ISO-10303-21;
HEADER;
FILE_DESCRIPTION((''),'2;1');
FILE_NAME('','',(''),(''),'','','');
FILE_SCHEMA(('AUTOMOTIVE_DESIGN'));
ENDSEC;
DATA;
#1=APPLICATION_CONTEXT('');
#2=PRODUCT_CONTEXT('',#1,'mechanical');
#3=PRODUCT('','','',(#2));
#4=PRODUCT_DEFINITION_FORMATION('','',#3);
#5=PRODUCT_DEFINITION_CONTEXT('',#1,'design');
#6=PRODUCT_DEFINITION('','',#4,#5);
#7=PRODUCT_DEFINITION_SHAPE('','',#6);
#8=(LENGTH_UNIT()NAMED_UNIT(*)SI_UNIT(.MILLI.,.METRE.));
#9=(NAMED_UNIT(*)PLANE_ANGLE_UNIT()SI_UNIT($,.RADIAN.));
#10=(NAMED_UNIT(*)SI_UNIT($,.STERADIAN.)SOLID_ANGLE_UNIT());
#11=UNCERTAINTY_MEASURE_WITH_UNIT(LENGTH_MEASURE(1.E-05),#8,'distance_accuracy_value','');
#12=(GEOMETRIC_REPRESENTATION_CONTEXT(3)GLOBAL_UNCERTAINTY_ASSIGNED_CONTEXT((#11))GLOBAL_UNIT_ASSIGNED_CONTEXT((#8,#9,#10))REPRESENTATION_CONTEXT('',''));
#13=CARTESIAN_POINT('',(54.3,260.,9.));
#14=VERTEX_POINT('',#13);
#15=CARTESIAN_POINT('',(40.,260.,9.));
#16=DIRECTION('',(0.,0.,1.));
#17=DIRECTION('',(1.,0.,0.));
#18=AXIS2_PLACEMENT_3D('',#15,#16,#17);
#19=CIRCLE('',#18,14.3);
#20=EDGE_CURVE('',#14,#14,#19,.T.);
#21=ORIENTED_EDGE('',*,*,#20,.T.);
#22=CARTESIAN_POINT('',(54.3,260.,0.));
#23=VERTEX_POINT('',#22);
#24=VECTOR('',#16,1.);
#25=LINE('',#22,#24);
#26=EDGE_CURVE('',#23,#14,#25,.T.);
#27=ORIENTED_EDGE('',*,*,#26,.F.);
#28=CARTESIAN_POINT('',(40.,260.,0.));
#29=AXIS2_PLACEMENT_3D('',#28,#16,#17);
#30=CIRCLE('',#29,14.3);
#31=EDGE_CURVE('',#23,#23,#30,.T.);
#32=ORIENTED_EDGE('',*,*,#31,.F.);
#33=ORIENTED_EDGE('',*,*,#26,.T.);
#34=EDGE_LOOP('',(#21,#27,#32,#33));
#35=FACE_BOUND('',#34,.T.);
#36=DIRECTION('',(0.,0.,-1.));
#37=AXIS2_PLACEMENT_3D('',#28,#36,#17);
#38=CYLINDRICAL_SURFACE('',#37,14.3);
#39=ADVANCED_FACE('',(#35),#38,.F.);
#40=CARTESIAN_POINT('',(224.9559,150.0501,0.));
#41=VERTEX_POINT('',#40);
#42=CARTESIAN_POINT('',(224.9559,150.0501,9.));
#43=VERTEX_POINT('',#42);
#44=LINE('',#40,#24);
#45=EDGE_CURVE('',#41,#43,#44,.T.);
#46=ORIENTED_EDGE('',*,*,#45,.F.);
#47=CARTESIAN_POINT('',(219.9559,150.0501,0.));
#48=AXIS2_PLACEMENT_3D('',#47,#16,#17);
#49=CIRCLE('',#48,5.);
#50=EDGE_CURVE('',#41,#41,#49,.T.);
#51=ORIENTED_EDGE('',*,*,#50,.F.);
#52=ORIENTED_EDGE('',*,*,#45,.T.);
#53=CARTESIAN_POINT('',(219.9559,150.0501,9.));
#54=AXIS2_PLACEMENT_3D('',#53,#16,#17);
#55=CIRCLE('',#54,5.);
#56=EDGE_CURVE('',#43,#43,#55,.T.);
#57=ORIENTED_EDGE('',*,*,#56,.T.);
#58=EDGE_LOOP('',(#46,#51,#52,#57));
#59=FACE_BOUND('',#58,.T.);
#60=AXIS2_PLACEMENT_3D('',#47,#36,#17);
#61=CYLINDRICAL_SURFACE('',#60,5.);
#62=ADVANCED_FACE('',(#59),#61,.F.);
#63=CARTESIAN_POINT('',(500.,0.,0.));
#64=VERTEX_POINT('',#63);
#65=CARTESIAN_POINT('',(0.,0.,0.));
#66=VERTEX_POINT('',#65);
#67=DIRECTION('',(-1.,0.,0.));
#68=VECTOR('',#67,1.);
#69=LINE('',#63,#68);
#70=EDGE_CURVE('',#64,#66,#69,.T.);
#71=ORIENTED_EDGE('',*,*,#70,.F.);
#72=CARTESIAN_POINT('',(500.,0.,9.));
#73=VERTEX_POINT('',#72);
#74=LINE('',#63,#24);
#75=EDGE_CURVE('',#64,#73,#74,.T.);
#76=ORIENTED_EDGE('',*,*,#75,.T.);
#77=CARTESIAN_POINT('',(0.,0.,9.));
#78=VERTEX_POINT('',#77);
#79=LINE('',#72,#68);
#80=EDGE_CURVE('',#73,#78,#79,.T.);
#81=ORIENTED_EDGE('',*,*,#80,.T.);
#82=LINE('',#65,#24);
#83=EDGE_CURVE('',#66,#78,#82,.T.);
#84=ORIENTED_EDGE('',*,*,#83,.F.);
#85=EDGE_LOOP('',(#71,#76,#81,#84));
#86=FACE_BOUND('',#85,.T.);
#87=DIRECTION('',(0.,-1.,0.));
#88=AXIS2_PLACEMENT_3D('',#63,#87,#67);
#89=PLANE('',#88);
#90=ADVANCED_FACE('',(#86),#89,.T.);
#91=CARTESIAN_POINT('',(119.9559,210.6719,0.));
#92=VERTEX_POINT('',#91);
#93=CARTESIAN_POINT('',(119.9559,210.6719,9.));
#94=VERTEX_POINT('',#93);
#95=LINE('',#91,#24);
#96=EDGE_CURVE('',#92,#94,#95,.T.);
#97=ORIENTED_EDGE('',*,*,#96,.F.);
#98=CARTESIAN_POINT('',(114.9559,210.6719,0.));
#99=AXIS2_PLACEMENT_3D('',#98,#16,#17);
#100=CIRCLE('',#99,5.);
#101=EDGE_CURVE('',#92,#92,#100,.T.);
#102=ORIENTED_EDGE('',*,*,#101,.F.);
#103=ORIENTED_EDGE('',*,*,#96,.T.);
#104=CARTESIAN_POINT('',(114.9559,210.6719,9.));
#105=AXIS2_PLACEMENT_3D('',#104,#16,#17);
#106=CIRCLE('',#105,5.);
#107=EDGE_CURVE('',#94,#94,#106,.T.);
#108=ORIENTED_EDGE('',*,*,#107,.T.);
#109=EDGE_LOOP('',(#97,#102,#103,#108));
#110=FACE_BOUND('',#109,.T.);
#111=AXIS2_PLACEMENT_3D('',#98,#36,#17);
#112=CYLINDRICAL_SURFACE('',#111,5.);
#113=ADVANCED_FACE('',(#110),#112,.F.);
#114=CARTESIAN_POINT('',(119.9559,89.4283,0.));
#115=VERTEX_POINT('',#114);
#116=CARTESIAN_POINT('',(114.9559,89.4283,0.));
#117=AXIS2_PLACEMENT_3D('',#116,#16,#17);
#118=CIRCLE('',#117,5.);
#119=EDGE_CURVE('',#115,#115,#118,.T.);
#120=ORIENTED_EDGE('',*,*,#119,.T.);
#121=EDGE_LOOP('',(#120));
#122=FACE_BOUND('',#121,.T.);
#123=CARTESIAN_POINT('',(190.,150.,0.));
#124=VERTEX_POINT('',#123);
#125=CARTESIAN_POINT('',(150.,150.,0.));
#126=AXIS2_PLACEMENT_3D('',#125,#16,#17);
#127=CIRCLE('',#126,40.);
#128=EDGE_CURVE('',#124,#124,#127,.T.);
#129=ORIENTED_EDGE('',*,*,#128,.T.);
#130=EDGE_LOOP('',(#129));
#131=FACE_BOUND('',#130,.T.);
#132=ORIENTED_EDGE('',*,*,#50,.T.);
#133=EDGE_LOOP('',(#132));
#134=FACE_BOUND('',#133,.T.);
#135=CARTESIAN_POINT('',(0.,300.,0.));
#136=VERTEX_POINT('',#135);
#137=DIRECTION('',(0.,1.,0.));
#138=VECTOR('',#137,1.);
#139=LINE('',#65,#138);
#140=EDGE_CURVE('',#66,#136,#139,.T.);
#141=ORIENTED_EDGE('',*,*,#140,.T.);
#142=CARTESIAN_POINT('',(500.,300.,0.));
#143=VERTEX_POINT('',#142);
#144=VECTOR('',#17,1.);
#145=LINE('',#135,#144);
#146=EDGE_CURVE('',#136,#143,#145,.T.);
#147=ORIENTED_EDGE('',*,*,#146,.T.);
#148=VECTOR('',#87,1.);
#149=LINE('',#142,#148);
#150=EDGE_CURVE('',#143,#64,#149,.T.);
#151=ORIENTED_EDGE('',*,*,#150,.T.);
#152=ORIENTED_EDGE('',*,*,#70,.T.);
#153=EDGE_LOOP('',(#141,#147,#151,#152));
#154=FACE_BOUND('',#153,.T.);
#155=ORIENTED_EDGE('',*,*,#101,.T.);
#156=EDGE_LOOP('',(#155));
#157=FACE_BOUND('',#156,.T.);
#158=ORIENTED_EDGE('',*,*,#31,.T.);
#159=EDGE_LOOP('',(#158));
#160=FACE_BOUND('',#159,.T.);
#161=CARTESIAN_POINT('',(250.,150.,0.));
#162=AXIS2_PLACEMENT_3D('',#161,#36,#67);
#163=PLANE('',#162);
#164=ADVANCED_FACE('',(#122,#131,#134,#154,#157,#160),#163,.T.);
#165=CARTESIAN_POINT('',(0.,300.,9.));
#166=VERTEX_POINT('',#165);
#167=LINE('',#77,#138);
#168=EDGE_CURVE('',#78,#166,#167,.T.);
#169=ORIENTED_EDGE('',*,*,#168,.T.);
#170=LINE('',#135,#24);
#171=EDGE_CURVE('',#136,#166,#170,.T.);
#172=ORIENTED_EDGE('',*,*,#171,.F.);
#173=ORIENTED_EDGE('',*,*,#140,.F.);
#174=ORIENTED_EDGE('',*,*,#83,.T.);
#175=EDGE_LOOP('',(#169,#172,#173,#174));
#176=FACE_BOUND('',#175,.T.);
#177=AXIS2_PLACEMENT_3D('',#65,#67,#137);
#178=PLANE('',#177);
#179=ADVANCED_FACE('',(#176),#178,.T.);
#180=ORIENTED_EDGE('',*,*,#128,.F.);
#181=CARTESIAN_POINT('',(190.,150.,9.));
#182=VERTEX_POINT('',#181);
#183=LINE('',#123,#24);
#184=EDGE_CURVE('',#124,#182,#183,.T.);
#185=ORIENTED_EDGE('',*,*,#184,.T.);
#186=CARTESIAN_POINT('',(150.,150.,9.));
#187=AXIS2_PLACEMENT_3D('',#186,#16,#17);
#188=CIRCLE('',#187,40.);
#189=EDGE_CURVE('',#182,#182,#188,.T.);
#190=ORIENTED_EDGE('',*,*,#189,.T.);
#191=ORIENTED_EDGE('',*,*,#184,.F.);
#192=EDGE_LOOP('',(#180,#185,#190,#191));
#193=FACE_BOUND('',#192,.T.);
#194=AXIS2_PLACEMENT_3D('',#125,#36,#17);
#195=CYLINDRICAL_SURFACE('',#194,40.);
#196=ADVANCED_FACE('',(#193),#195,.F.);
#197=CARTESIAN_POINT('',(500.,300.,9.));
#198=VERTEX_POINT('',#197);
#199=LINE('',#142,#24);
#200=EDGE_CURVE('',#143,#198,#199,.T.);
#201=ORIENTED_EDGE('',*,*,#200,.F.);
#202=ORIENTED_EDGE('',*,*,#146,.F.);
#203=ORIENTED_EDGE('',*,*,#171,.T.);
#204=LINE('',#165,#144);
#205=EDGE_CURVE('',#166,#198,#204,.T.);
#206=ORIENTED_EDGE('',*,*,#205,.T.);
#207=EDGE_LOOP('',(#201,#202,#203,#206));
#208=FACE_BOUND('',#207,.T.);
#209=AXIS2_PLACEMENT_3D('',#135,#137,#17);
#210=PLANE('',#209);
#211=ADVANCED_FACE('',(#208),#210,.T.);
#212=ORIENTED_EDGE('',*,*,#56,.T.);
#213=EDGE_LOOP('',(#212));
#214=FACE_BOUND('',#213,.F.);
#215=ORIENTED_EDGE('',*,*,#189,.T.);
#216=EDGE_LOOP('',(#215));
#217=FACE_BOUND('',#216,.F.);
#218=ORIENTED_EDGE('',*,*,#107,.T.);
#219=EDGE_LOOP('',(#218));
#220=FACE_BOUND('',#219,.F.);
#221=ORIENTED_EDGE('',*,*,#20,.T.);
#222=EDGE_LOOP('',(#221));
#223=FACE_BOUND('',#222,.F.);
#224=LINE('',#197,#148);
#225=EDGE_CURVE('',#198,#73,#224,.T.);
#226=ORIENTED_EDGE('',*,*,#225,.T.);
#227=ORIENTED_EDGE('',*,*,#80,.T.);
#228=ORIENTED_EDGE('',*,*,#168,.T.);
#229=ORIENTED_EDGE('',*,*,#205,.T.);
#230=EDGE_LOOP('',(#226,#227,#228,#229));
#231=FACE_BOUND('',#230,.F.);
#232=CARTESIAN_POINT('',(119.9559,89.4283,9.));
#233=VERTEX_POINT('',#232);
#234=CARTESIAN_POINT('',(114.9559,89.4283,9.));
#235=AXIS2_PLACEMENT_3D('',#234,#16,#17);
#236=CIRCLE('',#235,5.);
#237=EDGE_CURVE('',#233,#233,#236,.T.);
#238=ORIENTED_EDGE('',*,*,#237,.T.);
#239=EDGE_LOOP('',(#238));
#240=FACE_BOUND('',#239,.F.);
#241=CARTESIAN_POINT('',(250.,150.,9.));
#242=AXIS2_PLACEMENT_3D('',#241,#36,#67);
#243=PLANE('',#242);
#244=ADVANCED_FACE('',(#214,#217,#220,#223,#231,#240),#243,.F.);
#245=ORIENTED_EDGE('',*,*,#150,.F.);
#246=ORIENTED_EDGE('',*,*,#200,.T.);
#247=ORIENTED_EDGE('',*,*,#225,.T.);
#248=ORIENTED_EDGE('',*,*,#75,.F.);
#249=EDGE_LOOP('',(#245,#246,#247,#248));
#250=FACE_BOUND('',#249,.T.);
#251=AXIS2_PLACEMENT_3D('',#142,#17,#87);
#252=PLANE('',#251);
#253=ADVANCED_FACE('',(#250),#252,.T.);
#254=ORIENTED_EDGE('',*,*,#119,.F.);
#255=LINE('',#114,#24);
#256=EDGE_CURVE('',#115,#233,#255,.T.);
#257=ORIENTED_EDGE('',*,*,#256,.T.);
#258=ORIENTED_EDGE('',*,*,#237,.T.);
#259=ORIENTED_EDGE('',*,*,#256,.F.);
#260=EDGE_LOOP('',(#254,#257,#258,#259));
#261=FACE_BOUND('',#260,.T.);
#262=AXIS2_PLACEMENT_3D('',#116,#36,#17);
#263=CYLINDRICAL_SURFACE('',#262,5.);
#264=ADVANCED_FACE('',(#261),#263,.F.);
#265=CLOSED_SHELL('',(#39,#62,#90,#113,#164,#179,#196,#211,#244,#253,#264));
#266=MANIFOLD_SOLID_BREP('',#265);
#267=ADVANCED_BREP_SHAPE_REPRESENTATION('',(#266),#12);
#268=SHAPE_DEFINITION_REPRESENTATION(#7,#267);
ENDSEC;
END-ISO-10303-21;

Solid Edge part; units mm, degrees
sketch "Sketch1" plane through (0, 0, 0) normal (0, 0, 1) x (1, 0, 0)
  line L0 (500, 0) -> (0, 0)
  line L1 (0, 0) -> (0, 300)
  line L2 (0, 300) -> (500, 300)
  line L3 (500, 300) -> (500, 0)
  circle A0 centre (150, 150) radius 40
  circle A1 centre (219.9559, 150.0501) radius 5
  circle A2 centre (114.9559, 89.4283) radius 5
  circle A3 centre (114.9559, 210.6719) radius 5
  circle A4 centre (40, 260) radius 14.3
  dimension "D1" = 500
  dimension "D2" = 300
  dimension "D3" = 150
  dimension "D4" = 150
  dimension "D5" = 80
  dimension "D6" = 40
  dimension "D7" = 40
extrude "Protrusion1" add sketch "Sketch1" along normal blind 9
